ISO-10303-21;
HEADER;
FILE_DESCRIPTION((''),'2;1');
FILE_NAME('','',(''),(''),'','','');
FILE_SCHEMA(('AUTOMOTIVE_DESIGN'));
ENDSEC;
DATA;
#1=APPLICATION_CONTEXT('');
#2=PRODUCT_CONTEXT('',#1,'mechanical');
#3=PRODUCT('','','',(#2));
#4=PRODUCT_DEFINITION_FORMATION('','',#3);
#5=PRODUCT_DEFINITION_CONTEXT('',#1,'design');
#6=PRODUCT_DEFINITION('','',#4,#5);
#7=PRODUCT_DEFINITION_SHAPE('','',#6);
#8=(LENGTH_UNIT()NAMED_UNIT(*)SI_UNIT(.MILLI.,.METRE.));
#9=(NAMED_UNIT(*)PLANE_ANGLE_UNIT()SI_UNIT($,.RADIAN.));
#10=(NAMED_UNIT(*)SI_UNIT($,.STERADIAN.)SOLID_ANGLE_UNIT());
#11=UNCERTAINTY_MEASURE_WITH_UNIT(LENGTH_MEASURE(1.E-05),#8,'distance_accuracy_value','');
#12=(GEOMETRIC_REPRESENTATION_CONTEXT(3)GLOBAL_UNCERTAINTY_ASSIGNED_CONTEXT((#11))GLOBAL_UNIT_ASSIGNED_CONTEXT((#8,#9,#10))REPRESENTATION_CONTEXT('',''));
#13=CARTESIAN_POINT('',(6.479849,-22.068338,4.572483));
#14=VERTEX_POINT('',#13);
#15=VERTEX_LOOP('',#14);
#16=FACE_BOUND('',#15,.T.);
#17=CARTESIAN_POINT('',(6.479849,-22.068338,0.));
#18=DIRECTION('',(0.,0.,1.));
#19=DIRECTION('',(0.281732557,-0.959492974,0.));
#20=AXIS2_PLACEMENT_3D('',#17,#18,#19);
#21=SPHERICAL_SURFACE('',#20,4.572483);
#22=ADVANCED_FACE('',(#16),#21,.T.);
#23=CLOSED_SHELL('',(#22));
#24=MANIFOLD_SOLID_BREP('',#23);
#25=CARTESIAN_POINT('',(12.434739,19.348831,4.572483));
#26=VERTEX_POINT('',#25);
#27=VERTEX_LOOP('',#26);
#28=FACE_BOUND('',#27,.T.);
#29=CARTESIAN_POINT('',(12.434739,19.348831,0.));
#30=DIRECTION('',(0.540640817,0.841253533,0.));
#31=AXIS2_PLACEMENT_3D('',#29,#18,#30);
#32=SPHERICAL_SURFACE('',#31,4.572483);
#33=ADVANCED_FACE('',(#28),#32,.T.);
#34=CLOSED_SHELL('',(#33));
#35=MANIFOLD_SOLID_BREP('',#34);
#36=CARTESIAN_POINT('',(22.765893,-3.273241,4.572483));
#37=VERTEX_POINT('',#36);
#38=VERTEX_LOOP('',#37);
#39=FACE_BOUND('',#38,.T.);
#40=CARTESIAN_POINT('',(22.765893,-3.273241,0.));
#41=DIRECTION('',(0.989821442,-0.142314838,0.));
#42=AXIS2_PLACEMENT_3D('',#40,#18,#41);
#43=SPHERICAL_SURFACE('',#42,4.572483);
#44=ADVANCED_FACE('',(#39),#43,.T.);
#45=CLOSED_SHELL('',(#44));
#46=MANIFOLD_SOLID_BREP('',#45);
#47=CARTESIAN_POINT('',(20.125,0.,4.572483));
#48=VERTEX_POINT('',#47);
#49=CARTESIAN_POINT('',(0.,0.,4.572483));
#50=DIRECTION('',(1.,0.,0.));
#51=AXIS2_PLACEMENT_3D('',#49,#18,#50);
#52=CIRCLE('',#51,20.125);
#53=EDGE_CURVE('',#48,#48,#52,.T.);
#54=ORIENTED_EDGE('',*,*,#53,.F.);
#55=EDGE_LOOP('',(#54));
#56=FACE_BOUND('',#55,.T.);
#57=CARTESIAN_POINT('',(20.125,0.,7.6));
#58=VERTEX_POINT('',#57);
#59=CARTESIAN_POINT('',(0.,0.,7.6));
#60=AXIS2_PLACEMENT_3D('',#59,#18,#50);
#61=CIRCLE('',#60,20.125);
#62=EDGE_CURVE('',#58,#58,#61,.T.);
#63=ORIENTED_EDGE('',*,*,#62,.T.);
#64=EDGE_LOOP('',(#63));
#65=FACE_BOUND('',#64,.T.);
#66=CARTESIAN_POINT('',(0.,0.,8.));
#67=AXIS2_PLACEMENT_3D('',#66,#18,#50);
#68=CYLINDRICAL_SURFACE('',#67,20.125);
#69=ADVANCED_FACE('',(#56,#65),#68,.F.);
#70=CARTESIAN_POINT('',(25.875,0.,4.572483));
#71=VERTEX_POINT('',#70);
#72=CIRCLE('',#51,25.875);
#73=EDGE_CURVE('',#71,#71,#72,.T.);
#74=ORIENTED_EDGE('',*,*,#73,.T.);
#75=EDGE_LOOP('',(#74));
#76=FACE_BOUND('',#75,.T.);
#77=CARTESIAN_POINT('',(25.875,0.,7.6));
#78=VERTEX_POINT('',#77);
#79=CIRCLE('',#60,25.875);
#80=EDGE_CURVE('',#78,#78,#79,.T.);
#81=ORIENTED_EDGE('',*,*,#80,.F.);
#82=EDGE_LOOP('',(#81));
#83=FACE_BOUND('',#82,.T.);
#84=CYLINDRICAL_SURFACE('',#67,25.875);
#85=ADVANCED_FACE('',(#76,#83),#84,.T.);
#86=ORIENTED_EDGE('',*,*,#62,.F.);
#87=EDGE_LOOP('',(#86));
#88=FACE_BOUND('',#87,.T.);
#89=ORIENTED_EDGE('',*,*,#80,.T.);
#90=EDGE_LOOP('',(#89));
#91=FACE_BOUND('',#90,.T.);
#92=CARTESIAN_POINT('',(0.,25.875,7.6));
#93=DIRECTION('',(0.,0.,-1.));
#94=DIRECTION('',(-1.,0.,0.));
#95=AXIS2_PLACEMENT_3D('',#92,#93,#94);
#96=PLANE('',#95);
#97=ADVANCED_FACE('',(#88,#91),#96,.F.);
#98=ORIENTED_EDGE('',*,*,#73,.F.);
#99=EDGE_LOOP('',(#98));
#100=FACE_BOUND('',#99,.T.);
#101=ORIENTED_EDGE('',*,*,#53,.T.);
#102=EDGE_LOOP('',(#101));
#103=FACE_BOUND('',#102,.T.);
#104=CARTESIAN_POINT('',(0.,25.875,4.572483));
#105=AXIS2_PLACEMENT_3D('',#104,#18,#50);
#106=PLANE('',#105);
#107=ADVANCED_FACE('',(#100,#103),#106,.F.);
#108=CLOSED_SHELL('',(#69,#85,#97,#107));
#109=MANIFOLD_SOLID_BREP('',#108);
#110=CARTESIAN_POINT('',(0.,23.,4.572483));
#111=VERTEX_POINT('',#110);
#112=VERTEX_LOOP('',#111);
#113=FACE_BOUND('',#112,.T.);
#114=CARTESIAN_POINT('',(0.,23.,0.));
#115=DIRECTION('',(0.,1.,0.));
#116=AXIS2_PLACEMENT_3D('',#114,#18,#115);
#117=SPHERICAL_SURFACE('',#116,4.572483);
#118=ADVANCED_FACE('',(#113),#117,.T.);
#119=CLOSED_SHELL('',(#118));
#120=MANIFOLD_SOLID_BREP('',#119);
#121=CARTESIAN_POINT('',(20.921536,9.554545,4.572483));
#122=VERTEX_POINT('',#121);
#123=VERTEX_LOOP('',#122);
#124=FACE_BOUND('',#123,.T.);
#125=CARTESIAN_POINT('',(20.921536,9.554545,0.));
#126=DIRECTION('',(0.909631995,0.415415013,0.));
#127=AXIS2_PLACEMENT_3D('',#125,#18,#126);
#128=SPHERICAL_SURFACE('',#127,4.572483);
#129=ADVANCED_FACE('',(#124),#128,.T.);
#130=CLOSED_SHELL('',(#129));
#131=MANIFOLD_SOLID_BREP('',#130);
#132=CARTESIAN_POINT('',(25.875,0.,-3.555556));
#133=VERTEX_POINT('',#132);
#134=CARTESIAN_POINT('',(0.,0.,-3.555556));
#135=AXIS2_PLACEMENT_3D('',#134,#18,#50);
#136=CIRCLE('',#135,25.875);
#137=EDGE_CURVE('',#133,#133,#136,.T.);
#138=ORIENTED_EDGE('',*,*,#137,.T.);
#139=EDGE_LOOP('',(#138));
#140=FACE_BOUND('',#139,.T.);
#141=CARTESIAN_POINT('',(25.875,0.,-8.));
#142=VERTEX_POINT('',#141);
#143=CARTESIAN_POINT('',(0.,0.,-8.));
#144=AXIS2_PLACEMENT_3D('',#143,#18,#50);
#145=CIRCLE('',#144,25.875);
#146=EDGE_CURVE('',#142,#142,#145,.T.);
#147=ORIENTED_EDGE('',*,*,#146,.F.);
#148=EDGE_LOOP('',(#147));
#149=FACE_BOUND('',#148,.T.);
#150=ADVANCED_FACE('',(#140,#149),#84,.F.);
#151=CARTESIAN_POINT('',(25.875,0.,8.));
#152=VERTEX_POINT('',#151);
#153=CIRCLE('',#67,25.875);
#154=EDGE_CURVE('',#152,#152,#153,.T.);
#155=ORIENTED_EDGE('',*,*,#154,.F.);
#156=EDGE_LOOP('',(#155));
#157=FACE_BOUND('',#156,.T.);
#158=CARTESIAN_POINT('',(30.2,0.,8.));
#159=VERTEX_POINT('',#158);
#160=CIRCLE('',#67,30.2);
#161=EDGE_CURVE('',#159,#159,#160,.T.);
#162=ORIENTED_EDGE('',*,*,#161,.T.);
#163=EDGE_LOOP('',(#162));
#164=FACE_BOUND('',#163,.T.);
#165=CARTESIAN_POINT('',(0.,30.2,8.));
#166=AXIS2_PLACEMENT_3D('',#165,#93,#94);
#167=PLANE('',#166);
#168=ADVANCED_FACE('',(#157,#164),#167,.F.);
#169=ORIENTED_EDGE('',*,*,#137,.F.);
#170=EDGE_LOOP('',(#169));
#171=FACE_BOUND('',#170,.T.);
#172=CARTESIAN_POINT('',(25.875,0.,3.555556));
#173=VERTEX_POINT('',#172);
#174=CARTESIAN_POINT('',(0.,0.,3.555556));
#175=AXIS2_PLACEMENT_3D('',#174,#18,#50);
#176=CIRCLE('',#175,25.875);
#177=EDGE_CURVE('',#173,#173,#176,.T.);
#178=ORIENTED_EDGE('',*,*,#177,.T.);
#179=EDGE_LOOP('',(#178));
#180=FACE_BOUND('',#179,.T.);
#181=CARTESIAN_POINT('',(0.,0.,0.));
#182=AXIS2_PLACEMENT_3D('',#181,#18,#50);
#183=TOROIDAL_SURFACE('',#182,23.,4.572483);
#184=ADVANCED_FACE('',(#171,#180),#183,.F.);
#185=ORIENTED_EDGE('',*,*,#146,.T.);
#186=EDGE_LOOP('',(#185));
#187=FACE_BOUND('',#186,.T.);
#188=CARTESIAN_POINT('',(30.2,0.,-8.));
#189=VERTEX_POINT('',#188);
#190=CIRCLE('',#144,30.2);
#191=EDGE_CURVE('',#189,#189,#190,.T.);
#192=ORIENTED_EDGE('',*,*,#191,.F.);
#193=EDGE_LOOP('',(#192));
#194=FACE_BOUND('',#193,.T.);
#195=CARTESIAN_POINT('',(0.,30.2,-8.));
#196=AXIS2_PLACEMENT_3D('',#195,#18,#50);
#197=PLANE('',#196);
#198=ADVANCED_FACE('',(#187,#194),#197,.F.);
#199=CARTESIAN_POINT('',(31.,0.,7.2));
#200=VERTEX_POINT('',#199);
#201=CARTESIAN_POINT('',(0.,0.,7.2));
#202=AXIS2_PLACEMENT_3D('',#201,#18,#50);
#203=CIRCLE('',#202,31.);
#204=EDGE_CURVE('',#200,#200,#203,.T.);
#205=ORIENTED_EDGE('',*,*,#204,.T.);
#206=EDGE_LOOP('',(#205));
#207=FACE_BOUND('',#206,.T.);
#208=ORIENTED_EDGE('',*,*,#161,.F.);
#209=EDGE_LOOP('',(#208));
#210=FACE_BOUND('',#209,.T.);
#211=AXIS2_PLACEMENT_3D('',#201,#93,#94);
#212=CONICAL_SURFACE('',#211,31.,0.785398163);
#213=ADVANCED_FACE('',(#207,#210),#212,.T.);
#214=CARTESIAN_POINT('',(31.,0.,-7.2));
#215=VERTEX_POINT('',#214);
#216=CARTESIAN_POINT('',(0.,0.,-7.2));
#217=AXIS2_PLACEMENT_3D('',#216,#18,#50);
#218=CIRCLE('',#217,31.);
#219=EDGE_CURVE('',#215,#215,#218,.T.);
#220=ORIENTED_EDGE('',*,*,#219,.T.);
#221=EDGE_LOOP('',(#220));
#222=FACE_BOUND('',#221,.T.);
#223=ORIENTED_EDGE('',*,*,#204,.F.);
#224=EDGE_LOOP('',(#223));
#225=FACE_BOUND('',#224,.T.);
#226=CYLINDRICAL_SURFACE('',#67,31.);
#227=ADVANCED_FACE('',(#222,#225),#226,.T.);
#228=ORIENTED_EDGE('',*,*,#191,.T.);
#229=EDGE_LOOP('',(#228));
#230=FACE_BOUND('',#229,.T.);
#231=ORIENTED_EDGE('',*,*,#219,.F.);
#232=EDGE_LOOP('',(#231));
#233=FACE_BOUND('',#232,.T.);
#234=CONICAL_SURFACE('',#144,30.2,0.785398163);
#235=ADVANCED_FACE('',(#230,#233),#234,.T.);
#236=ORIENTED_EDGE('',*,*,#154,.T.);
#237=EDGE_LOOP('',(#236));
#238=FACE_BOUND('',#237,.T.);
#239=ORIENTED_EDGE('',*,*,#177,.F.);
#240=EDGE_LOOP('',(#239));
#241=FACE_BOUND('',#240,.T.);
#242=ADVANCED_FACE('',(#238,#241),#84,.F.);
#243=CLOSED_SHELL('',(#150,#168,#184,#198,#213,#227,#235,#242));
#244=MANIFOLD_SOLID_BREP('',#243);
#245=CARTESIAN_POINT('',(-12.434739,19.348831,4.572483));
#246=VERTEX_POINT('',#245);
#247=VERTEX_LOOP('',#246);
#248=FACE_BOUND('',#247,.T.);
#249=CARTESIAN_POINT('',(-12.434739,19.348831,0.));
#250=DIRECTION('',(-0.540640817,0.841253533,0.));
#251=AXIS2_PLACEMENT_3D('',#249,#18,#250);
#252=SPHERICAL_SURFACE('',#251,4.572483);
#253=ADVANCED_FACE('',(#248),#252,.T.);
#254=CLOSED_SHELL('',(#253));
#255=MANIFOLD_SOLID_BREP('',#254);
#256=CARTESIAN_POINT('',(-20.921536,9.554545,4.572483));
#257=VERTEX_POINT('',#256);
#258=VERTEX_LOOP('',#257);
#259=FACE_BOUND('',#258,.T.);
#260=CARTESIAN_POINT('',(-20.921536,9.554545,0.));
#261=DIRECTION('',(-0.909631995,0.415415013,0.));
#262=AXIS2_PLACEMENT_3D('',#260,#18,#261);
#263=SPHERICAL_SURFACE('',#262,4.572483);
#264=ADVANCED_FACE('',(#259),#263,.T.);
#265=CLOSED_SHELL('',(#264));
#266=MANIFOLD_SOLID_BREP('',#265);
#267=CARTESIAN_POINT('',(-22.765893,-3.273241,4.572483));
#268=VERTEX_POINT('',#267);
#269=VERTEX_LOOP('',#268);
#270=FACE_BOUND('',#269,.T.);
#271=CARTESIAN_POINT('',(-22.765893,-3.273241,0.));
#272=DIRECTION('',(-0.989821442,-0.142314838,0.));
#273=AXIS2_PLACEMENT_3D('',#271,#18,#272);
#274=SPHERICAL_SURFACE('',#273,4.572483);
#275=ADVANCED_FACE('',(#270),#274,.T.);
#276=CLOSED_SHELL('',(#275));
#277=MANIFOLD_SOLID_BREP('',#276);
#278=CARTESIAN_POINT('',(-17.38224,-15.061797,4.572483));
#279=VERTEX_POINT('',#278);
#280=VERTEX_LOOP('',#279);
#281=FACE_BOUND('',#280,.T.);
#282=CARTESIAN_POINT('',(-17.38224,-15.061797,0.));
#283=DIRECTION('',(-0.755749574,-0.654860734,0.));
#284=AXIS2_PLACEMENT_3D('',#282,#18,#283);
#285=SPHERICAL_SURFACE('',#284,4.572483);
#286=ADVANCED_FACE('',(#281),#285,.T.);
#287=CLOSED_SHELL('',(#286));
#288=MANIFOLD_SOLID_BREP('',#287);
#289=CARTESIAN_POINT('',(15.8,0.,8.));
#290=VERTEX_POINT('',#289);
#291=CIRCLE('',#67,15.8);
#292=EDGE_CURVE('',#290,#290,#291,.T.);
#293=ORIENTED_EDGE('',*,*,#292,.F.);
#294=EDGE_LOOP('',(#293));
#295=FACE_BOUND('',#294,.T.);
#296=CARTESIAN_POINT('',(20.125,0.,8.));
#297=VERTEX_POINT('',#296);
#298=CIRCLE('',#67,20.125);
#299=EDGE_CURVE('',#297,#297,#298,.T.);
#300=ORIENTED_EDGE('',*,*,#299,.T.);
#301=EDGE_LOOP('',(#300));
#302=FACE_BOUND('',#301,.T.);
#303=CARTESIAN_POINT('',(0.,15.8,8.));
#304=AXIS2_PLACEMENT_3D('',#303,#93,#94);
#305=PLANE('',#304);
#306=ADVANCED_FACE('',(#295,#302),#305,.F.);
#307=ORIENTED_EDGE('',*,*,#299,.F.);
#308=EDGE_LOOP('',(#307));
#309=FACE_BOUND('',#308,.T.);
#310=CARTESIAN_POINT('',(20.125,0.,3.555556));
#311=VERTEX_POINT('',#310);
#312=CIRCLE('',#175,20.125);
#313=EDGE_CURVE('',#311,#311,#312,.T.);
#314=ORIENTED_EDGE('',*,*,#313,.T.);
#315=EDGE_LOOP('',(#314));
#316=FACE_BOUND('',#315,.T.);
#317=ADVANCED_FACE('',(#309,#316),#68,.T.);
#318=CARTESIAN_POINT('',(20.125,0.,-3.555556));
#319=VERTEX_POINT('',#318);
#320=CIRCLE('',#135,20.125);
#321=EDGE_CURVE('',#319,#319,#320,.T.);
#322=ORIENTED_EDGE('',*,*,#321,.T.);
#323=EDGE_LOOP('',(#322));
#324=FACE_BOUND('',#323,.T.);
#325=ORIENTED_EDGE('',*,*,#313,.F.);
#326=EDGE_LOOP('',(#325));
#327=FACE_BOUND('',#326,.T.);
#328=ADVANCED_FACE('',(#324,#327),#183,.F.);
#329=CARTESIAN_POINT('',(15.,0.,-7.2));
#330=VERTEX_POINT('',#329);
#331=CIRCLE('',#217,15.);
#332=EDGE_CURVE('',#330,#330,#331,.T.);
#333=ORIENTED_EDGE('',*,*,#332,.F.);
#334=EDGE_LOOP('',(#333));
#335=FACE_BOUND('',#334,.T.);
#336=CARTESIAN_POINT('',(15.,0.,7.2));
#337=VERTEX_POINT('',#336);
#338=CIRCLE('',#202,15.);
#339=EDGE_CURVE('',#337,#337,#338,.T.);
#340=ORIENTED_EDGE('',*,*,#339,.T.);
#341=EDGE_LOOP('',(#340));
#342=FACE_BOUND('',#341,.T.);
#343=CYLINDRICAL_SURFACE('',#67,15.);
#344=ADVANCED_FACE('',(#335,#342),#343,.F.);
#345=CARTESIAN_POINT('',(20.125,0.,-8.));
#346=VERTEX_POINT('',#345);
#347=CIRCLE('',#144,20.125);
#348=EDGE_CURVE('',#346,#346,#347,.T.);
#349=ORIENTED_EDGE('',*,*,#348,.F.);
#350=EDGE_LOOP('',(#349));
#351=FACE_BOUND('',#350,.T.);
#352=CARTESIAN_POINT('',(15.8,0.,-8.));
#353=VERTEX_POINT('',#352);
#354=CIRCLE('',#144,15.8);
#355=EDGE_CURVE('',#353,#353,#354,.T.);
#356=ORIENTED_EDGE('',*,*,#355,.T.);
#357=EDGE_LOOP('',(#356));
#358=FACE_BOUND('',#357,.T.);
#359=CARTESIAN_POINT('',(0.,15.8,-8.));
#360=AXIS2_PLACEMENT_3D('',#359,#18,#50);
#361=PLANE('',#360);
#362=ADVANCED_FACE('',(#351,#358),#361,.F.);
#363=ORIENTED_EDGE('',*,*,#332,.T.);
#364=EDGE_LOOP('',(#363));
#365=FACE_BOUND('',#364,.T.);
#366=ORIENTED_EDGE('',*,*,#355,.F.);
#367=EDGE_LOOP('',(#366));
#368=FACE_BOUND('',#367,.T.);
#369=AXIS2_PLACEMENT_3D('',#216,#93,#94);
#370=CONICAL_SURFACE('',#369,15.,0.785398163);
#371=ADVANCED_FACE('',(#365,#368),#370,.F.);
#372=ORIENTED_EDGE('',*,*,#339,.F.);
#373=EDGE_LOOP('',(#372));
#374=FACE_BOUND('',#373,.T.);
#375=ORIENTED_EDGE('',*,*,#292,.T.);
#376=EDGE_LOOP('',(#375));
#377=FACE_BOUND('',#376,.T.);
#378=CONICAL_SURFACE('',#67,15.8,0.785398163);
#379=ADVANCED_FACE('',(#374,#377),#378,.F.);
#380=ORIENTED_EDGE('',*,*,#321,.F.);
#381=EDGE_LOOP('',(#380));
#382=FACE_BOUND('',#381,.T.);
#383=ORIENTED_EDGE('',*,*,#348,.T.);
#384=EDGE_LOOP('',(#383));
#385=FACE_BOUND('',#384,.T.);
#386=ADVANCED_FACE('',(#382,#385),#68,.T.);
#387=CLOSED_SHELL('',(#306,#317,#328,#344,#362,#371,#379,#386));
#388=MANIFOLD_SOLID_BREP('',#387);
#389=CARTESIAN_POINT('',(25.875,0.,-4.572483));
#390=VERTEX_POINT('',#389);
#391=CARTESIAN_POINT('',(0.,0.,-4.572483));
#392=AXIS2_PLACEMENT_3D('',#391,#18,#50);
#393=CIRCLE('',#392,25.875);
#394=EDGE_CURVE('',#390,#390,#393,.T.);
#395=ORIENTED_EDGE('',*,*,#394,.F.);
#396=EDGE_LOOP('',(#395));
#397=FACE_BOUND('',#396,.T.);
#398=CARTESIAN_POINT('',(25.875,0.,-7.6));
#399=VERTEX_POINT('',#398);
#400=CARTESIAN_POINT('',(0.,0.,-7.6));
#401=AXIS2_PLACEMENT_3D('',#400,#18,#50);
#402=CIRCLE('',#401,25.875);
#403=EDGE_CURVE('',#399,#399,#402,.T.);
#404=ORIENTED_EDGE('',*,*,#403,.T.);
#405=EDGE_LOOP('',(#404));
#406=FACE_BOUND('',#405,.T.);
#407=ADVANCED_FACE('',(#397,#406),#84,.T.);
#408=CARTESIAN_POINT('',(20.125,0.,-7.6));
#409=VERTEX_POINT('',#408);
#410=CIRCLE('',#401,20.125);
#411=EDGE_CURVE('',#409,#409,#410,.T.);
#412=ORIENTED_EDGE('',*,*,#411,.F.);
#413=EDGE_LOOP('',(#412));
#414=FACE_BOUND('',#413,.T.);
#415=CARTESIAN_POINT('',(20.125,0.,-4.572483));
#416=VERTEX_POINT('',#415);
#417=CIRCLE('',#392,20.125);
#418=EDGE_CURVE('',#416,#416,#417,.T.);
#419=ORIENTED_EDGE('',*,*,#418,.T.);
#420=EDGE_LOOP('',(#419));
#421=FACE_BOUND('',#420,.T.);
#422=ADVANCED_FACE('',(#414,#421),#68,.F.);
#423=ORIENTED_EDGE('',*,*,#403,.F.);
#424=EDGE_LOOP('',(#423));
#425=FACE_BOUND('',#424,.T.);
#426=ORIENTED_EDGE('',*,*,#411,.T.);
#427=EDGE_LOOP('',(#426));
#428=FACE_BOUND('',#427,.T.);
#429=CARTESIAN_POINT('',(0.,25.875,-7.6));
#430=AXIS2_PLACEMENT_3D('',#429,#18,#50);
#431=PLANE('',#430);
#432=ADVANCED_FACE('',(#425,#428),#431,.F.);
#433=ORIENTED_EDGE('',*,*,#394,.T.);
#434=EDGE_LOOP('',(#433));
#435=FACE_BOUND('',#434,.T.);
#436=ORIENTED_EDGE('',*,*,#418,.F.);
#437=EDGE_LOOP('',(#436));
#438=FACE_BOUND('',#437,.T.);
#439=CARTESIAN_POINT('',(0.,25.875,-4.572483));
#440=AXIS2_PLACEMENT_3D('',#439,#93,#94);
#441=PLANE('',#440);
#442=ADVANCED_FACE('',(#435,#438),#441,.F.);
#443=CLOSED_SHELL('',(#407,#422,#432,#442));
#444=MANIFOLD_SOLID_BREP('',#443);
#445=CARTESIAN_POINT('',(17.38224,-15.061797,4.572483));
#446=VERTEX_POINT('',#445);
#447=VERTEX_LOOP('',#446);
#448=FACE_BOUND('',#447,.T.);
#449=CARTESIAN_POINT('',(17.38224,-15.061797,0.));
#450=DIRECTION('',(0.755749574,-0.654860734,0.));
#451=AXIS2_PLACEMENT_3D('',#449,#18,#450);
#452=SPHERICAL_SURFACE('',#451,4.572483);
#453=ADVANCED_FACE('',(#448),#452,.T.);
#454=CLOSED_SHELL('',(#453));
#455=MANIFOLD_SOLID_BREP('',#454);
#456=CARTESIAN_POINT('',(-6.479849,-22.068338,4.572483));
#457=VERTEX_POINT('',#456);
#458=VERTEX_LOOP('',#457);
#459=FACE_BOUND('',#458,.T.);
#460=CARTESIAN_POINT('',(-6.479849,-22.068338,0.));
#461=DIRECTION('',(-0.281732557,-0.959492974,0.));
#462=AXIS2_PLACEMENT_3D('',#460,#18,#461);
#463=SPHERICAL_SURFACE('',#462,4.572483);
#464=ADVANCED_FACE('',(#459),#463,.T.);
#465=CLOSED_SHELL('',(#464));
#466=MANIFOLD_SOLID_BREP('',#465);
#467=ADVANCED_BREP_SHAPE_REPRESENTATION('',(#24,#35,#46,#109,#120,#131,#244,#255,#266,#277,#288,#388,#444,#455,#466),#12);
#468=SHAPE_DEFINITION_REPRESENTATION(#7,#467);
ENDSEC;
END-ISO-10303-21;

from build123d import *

# Parameters (mm, degrees)
CIRPATTERN1_COUNT = 11
SKETCH5_W         = 3.027517052
SKETCH5_H         = 5.75


with BuildPart() as part:
    # Sketch3 → Revolve1 (revolve)
    with BuildSketch(Plane(origin=(0, 0, 0), x_dir=(0, 0, -1), z_dir=(1, 0, 0)), mode=Mode.PRIVATE) as revolve1_sk:
        with BuildLine():
            Line((-8, 30.2), (-8, 25.875))
            Line((-8, 25.875), (-3.555555556, 25.875))
            ThreePointArc((-3.555555556, 25.875), (0, 27.572482948), (3.555555556, 25.875))
            Line((3.555555556, 25.875), (8, 25.875))
            Line((8, 25.875), (8, 30.2))
            Line((8, 30.2), (7.2, 31))
            Line((7.2, 31), (-7.2, 31))
            Line((-7.2, 31), (-8, 30.2))
        make_face()
        with BuildLine():
            Line((-8, 15.8), (-8, 20.125))
            Line((-8, 20.125), (-3.555555556, 20.125))
            ThreePointArc((-3.555555556, 20.125), (0, 18.427517052), (3.555555556, 20.125))
            Line((3.555555556, 20.125), (8, 20.125))
            Line((8, 20.125), (8, 15.8))
            Line((8, 15.8), (7.2, 15))
            Line((7.2, 15), (-7.2, 15))
            Line((-7.2, 15), (-8, 15.8))
        make_face()
    revolve(revolve1_sk.sketch.rotate(Axis((0, 0, 8), (0, 0, -1)), 90), axis=Axis((0, 0, 8), (0, 0, -1)))


with BuildPart() as body_2:
    # Sketch4 → Revolve2 (revolve)
    with BuildSketch(Plane(origin=(0, 0, 0), x_dir=(0, 0, -1), z_dir=(1, 0, 0))):
        with BuildLine():
            Line((-4.572482948, 23), (4.572482948, 23))
            ThreePointArc((4.572482948, 23), (0, 27.572482948), (-4.572482948, 23))
        make_face()
    revolve(axis=Axis((0, 23, 4.572482948), (0, 0, -1)))


with BuildPart() as cirpattern1_1:
    # CirPattern1: pattern copy
    add(body_2.part.rotate(Axis((0, 0, 0), (0, 0, 1)), 1 * 360 / CIRPATTERN1_COUNT))


with BuildPart() as cirpattern1_2:
    # CirPattern1: pattern copy
    add(body_2.part.rotate(Axis((0, 0, 0), (0, 0, 1)), 2 * 360 / CIRPATTERN1_COUNT))


with BuildPart() as cirpattern1_3:
    # CirPattern1: pattern copy
    add(body_2.part.rotate(Axis((0, 0, 0), (0, 0, 1)), 3 * 360 / CIRPATTERN1_COUNT))


with BuildPart() as cirpattern1_4:
    # CirPattern1: pattern copy
    add(body_2.part.rotate(Axis((0, 0, 0), (0, 0, 1)), 4 * 360 / CIRPATTERN1_COUNT))


with BuildPart() as cirpattern1_5:
    # CirPattern1: pattern copy
    add(body_2.part.rotate(Axis((0, 0, 0), (0, 0, 1)), 5 * 360 / CIRPATTERN1_COUNT))


with BuildPart() as cirpattern1_6:
    # CirPattern1: pattern copy
    add(body_2.part.rotate(Axis((0, 0, 0), (0, 0, 1)), 6 * 360 / CIRPATTERN1_COUNT))


with BuildPart() as cirpattern1_7:
    # CirPattern1: pattern copy
    add(body_2.part.rotate(Axis((0, 0, 0), (0, 0, 1)), 7 * 360 / CIRPATTERN1_COUNT))


with BuildPart() as cirpattern1_8:
    # CirPattern1: pattern copy
    add(body_2.part.rotate(Axis((0, 0, 0), (0, 0, 1)), 8 * 360 / CIRPATTERN1_COUNT))


with BuildPart() as cirpattern1_9:
    # CirPattern1: pattern copy
    add(body_2.part.rotate(Axis((0, 0, 0), (0, 0, 1)), 9 * 360 / CIRPATTERN1_COUNT))


with BuildPart() as cirpattern1_10:
    # CirPattern1: pattern copy
    add(body_2.part.rotate(Axis((0, 0, 0), (0, 0, 1)), 10 * 360 / CIRPATTERN1_COUNT))


with BuildPart() as body_13:
    # Sketch5 → Revolve3 (revolve)
    with BuildSketch(Plane(origin=(0, 0, 0), x_dir=(0, 0, -1), z_dir=(1, 0, 0)), mode=Mode.PRIVATE) as revolve3_sk:
        with Locations((-6.086241474, 23)):
            Rectangle(SKETCH5_W, SKETCH5_H)
        with Locations((6.086241474, 23)):
            Rectangle(SKETCH5_W, SKETCH5_H)
    revolve(revolve3_sk.sketch.rotate(Axis((0, 0, 8), (0, 0, -1)), 90), axis=Axis((0, 0, 8), (0, 0, -1)))


solid = Compound([part.part, body_2.part, cirpattern1_1.part, cirpattern1_2.part, cirpattern1_3.part, cirpattern1_4.part, cirpattern1_5.part, cirpattern1_6.part, cirpattern1_7.part, cirpattern1_8.part, cirpattern1_9.part, cirpattern1_10.part, body_13.part])
